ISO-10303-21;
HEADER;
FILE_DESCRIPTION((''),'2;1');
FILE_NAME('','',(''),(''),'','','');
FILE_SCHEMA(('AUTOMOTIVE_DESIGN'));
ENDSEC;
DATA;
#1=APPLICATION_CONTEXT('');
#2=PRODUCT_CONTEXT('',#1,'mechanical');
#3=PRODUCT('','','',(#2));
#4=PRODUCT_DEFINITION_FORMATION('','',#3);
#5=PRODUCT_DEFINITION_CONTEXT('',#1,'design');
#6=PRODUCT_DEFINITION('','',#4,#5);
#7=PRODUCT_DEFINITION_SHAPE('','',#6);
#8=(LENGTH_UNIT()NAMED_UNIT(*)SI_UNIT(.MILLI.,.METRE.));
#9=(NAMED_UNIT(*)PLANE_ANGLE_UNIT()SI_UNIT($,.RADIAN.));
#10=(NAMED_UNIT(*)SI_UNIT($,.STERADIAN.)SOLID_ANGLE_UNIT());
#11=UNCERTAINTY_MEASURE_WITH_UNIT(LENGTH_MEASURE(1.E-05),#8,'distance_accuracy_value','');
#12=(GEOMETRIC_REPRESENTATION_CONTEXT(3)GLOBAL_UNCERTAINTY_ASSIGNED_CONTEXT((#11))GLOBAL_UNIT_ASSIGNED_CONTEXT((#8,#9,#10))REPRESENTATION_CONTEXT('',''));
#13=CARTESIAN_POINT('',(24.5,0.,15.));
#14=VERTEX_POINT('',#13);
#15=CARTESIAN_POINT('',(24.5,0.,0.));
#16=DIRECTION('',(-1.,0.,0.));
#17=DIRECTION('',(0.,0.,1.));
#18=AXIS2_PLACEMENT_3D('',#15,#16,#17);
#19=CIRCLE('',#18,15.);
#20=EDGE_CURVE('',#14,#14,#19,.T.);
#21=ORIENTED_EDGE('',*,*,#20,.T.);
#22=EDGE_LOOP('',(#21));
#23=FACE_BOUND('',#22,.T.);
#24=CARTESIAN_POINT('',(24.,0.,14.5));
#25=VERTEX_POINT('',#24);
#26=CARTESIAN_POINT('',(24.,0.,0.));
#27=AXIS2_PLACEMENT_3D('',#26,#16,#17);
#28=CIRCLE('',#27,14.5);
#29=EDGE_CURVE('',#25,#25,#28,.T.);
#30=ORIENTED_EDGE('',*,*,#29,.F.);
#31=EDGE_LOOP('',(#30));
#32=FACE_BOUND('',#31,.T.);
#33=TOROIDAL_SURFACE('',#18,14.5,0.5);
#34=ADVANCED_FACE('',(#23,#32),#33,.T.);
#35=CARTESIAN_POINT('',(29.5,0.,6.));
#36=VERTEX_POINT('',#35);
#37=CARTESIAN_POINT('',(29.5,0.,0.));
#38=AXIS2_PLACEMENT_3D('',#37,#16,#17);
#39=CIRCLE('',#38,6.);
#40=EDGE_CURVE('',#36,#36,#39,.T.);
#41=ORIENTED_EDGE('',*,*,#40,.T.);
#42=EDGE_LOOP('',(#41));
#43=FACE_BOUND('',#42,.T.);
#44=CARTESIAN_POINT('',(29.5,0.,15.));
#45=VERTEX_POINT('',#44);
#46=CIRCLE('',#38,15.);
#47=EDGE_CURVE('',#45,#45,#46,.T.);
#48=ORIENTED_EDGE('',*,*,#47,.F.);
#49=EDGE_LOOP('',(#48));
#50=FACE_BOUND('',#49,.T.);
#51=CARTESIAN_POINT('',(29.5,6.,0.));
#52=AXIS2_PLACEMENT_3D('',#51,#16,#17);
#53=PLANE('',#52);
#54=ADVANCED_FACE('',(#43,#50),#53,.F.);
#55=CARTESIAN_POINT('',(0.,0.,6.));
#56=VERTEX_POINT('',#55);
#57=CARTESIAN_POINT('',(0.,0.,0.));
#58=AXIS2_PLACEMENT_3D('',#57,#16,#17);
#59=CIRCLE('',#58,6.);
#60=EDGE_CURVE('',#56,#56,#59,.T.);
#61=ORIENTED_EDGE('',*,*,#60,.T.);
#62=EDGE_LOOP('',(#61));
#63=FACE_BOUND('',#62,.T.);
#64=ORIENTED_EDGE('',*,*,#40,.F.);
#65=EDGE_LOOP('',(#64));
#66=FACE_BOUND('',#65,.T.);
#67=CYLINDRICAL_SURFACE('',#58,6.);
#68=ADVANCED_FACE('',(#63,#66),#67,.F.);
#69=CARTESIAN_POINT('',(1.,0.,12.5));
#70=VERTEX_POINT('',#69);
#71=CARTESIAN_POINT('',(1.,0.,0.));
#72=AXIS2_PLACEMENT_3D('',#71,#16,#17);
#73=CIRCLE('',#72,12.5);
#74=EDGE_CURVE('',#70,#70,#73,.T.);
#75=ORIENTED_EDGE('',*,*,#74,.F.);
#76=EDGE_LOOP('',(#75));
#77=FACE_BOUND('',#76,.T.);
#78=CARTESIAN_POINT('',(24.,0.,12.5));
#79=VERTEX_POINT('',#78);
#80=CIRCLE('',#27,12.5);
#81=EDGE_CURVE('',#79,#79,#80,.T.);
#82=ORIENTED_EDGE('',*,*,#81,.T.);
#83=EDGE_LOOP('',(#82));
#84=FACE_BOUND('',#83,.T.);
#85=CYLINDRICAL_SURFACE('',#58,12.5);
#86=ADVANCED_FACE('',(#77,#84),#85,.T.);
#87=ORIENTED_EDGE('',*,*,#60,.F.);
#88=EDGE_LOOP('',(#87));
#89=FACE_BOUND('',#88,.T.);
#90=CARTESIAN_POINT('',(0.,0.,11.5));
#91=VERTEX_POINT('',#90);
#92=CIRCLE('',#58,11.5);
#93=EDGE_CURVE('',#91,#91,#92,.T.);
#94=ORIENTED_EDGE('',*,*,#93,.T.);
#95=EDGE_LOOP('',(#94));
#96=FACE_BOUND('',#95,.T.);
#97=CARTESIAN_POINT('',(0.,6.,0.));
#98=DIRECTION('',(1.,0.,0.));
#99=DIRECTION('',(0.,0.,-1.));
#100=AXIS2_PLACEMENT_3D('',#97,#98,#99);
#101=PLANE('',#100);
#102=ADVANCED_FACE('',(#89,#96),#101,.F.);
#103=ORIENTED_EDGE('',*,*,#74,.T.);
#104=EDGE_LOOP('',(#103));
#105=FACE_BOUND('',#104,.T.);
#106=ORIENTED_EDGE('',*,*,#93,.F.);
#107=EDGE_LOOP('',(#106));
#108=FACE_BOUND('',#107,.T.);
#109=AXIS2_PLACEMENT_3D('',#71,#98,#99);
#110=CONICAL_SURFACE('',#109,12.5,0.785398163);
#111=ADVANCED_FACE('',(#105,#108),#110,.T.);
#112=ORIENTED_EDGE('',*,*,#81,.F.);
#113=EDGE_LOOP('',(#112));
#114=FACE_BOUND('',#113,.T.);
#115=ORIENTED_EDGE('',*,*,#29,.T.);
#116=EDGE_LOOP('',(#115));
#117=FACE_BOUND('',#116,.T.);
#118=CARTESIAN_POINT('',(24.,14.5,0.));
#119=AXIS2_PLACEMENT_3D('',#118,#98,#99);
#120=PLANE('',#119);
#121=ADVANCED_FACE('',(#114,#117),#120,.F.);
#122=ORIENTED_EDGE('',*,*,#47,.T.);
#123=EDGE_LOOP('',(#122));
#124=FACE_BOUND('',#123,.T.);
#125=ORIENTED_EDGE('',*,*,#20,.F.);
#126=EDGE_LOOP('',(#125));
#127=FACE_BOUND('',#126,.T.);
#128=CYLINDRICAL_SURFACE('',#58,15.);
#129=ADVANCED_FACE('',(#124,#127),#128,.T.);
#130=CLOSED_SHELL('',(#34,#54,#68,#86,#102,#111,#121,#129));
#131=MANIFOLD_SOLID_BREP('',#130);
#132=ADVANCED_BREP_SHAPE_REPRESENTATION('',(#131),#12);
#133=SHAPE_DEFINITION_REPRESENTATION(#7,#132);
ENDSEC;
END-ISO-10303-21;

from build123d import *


with BuildPart() as part:
    # Esquisse1 → Révolution1 (revolve)
    with BuildSketch(Plane.XY, mode=Mode.PRIVATE) as r_volution1_sk:
        with BuildLine():
            Line((0, 6), (29.5, 6))
            Line((29.5, 6), (29.5, 15))
            Line((29.5, 15), (24.5, 15))
            ThreePointArc((24.5, 15), (24.146446609, 14.853553391), (24, 14.5))
            Line((24, 14.5), (24, 12.5))
            Line((24, 12.5), (1, 12.5))
            Line((1, 12.5), (0, 11.5))
            Line((0, 11.5), (0, 6))
        make_face()
    revolve(r_volution1_sk.sketch.rotate(Axis((0, 0, 0), (1, 0, 0)), 90), axis=Axis((0, 0, 0), (1, 0, 0)))  # turned: the seam where the file's is


solid = part.part
